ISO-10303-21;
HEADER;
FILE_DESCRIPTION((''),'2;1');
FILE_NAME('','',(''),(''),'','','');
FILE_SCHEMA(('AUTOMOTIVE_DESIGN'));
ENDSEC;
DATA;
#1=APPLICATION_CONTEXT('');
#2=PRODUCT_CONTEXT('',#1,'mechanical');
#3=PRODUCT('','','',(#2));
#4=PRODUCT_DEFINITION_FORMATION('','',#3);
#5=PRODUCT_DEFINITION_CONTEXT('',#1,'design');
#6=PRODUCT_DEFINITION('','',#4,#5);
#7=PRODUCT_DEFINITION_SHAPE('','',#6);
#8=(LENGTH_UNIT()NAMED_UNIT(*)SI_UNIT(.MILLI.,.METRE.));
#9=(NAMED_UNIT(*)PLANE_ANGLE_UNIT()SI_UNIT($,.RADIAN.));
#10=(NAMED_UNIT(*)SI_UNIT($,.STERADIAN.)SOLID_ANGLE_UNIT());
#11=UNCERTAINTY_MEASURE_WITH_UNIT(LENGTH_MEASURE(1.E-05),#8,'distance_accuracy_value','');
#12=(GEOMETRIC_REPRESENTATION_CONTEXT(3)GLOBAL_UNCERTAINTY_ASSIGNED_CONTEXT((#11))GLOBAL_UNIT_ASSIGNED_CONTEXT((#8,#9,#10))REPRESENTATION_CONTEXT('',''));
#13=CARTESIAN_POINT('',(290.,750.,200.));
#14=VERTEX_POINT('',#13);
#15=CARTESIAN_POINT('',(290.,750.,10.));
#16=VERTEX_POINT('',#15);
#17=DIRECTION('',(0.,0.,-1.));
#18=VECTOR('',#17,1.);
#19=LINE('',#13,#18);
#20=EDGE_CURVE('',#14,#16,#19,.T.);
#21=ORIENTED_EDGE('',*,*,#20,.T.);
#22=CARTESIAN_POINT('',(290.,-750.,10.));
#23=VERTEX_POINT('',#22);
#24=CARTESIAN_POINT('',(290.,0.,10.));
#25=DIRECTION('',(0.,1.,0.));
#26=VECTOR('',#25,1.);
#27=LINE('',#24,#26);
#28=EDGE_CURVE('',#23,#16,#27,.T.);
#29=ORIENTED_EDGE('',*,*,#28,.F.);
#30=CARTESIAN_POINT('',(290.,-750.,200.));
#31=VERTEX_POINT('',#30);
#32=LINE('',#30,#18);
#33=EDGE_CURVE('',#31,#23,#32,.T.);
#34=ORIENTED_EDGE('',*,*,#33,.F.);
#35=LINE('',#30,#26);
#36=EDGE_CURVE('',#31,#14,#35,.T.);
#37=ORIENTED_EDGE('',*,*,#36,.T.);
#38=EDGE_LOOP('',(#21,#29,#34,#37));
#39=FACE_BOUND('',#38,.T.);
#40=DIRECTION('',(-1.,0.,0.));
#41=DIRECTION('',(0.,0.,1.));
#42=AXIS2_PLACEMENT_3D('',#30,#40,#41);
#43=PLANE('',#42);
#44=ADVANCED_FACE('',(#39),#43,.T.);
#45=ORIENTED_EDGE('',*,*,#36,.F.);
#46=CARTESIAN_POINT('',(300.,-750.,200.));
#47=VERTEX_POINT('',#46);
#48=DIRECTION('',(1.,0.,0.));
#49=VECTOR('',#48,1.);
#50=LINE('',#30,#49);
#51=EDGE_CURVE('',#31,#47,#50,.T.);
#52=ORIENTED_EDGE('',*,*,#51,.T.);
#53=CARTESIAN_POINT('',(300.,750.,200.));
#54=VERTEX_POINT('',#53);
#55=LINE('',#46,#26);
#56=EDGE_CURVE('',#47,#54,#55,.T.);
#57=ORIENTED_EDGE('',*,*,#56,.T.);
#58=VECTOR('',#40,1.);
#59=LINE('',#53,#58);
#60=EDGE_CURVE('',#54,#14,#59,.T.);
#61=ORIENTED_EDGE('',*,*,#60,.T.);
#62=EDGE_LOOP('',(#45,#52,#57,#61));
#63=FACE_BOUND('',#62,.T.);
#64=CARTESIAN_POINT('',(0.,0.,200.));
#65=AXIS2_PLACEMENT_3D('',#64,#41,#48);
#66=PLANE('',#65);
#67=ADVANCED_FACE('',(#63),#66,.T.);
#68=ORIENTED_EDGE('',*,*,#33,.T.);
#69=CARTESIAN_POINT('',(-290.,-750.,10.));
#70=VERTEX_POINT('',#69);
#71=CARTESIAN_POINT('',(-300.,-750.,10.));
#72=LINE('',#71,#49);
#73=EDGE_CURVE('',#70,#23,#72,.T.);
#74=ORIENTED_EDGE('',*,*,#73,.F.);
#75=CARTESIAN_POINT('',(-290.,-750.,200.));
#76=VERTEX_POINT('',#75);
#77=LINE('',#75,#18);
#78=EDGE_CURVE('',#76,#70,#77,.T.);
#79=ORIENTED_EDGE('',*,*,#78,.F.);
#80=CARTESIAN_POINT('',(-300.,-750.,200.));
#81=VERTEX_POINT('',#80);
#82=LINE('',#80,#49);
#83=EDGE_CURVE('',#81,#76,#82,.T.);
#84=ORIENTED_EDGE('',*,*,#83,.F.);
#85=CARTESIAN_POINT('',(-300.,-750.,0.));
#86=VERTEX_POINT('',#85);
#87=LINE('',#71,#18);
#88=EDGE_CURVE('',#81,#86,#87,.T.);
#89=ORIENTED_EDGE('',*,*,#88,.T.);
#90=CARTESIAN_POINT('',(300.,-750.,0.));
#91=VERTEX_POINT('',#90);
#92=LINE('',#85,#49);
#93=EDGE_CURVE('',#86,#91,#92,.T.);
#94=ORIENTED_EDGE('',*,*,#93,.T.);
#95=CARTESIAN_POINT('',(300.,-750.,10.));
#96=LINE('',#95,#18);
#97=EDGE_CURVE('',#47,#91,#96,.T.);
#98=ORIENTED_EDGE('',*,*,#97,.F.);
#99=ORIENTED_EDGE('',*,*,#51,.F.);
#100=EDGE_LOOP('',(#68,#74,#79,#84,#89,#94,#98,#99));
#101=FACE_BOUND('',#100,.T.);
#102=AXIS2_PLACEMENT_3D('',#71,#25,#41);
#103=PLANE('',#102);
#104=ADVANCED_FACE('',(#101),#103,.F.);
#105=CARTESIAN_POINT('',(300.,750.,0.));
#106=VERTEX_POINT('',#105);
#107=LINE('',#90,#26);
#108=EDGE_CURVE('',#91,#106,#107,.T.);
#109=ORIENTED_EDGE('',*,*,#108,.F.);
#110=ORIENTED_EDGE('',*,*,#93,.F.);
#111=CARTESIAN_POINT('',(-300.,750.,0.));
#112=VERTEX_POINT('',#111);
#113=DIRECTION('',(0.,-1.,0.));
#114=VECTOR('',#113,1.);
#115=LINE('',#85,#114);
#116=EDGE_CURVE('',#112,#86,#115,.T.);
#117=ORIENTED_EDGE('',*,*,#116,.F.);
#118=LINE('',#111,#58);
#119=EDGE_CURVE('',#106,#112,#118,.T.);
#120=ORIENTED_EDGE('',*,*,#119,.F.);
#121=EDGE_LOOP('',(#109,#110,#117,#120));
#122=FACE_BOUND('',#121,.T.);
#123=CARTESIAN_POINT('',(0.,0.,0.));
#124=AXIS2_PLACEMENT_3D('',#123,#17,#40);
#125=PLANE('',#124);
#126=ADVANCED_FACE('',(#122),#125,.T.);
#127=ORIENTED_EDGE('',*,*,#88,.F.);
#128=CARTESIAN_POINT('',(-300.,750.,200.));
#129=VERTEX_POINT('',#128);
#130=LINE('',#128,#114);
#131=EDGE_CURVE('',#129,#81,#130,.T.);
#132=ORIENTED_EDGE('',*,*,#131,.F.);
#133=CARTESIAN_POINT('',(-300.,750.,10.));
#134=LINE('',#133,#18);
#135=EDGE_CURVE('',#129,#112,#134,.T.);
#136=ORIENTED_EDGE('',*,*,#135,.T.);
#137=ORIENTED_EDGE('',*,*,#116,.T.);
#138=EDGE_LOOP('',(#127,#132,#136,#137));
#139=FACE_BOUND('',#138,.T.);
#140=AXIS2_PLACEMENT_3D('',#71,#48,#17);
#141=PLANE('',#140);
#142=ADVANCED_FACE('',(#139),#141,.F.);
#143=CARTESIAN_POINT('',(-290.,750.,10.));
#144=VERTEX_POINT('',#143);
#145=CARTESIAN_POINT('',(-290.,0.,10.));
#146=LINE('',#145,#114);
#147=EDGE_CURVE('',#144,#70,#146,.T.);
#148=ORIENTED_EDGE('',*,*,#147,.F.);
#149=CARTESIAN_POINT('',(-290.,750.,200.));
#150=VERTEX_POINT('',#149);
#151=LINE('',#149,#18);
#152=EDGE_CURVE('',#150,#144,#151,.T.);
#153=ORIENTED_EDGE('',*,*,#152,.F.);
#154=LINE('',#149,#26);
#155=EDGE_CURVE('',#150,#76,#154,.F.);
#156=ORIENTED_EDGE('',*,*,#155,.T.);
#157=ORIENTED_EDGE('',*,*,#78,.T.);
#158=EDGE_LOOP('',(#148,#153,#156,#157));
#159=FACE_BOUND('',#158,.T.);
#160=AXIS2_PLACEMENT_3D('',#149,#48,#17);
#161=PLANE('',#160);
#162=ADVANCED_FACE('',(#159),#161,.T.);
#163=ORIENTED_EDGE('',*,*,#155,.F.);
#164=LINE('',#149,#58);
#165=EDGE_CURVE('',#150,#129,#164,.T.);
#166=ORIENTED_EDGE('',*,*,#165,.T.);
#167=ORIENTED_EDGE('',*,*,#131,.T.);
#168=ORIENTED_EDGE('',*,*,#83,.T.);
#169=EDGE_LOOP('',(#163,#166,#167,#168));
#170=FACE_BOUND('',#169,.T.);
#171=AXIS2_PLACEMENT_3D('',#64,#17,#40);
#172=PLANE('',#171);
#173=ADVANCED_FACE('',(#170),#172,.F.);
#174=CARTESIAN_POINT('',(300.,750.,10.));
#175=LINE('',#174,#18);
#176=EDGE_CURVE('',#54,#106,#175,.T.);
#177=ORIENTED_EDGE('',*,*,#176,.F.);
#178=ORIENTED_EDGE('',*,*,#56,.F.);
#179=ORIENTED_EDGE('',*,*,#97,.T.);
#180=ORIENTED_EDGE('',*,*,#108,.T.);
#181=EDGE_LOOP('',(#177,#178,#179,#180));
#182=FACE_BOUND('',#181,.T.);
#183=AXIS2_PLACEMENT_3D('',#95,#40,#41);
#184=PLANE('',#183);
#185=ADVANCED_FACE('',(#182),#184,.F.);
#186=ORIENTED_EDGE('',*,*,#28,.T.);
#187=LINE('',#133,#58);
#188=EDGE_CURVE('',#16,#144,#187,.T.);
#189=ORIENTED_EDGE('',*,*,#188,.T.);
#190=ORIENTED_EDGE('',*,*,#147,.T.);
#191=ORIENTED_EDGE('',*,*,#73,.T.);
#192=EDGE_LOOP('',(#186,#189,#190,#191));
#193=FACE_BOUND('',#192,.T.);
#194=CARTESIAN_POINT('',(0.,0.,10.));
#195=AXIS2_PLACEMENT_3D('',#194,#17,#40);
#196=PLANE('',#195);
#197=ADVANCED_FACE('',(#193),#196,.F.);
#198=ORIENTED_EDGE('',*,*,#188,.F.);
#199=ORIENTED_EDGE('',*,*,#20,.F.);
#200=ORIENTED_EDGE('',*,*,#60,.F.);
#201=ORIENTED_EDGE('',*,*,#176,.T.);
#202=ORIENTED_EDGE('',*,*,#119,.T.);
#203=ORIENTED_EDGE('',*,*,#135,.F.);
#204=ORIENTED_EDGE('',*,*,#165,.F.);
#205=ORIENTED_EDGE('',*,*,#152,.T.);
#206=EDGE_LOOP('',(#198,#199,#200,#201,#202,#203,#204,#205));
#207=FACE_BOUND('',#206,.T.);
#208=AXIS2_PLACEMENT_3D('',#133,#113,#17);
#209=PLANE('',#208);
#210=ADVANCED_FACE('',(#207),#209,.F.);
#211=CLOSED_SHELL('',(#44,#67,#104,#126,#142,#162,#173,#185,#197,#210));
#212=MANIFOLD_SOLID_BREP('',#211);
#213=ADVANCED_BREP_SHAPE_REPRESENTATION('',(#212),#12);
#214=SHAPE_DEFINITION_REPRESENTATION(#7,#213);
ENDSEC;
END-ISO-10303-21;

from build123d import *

# Parameters (mm, degrees)
SKETCH2_W           = 600
SKETCH2_H           = 1500
BOSS_EXTRUDE1_DEPTH = 10
SKETCH5_W           = 10
SKETCH5_H           = 1500
EXTRUDE_THIN2_DEPTH = 200


with BuildPart() as part:
    # Sketch2 → Boss-Extrude1 (new body)
    with BuildSketch(Plane.XY):
        Rectangle(SKETCH2_W, SKETCH2_H)
    extrude(amount=BOSS_EXTRUDE1_DEPTH)

    # Sketch5 → Extrude-Thin2 (add)
    with BuildSketch(Plane(origin=(0, 0, 0), x_dir=(-1, 0, 0), z_dir=(0, 0, -1))):
        with Locations((-295, 0)):
            Rectangle(SKETCH5_W, SKETCH5_H)
        with Locations((295, 0)):
            Rectangle(SKETCH5_W, SKETCH5_H)
    extrude(amount=-EXTRUDE_THIN2_DEPTH)


solid = part.part
